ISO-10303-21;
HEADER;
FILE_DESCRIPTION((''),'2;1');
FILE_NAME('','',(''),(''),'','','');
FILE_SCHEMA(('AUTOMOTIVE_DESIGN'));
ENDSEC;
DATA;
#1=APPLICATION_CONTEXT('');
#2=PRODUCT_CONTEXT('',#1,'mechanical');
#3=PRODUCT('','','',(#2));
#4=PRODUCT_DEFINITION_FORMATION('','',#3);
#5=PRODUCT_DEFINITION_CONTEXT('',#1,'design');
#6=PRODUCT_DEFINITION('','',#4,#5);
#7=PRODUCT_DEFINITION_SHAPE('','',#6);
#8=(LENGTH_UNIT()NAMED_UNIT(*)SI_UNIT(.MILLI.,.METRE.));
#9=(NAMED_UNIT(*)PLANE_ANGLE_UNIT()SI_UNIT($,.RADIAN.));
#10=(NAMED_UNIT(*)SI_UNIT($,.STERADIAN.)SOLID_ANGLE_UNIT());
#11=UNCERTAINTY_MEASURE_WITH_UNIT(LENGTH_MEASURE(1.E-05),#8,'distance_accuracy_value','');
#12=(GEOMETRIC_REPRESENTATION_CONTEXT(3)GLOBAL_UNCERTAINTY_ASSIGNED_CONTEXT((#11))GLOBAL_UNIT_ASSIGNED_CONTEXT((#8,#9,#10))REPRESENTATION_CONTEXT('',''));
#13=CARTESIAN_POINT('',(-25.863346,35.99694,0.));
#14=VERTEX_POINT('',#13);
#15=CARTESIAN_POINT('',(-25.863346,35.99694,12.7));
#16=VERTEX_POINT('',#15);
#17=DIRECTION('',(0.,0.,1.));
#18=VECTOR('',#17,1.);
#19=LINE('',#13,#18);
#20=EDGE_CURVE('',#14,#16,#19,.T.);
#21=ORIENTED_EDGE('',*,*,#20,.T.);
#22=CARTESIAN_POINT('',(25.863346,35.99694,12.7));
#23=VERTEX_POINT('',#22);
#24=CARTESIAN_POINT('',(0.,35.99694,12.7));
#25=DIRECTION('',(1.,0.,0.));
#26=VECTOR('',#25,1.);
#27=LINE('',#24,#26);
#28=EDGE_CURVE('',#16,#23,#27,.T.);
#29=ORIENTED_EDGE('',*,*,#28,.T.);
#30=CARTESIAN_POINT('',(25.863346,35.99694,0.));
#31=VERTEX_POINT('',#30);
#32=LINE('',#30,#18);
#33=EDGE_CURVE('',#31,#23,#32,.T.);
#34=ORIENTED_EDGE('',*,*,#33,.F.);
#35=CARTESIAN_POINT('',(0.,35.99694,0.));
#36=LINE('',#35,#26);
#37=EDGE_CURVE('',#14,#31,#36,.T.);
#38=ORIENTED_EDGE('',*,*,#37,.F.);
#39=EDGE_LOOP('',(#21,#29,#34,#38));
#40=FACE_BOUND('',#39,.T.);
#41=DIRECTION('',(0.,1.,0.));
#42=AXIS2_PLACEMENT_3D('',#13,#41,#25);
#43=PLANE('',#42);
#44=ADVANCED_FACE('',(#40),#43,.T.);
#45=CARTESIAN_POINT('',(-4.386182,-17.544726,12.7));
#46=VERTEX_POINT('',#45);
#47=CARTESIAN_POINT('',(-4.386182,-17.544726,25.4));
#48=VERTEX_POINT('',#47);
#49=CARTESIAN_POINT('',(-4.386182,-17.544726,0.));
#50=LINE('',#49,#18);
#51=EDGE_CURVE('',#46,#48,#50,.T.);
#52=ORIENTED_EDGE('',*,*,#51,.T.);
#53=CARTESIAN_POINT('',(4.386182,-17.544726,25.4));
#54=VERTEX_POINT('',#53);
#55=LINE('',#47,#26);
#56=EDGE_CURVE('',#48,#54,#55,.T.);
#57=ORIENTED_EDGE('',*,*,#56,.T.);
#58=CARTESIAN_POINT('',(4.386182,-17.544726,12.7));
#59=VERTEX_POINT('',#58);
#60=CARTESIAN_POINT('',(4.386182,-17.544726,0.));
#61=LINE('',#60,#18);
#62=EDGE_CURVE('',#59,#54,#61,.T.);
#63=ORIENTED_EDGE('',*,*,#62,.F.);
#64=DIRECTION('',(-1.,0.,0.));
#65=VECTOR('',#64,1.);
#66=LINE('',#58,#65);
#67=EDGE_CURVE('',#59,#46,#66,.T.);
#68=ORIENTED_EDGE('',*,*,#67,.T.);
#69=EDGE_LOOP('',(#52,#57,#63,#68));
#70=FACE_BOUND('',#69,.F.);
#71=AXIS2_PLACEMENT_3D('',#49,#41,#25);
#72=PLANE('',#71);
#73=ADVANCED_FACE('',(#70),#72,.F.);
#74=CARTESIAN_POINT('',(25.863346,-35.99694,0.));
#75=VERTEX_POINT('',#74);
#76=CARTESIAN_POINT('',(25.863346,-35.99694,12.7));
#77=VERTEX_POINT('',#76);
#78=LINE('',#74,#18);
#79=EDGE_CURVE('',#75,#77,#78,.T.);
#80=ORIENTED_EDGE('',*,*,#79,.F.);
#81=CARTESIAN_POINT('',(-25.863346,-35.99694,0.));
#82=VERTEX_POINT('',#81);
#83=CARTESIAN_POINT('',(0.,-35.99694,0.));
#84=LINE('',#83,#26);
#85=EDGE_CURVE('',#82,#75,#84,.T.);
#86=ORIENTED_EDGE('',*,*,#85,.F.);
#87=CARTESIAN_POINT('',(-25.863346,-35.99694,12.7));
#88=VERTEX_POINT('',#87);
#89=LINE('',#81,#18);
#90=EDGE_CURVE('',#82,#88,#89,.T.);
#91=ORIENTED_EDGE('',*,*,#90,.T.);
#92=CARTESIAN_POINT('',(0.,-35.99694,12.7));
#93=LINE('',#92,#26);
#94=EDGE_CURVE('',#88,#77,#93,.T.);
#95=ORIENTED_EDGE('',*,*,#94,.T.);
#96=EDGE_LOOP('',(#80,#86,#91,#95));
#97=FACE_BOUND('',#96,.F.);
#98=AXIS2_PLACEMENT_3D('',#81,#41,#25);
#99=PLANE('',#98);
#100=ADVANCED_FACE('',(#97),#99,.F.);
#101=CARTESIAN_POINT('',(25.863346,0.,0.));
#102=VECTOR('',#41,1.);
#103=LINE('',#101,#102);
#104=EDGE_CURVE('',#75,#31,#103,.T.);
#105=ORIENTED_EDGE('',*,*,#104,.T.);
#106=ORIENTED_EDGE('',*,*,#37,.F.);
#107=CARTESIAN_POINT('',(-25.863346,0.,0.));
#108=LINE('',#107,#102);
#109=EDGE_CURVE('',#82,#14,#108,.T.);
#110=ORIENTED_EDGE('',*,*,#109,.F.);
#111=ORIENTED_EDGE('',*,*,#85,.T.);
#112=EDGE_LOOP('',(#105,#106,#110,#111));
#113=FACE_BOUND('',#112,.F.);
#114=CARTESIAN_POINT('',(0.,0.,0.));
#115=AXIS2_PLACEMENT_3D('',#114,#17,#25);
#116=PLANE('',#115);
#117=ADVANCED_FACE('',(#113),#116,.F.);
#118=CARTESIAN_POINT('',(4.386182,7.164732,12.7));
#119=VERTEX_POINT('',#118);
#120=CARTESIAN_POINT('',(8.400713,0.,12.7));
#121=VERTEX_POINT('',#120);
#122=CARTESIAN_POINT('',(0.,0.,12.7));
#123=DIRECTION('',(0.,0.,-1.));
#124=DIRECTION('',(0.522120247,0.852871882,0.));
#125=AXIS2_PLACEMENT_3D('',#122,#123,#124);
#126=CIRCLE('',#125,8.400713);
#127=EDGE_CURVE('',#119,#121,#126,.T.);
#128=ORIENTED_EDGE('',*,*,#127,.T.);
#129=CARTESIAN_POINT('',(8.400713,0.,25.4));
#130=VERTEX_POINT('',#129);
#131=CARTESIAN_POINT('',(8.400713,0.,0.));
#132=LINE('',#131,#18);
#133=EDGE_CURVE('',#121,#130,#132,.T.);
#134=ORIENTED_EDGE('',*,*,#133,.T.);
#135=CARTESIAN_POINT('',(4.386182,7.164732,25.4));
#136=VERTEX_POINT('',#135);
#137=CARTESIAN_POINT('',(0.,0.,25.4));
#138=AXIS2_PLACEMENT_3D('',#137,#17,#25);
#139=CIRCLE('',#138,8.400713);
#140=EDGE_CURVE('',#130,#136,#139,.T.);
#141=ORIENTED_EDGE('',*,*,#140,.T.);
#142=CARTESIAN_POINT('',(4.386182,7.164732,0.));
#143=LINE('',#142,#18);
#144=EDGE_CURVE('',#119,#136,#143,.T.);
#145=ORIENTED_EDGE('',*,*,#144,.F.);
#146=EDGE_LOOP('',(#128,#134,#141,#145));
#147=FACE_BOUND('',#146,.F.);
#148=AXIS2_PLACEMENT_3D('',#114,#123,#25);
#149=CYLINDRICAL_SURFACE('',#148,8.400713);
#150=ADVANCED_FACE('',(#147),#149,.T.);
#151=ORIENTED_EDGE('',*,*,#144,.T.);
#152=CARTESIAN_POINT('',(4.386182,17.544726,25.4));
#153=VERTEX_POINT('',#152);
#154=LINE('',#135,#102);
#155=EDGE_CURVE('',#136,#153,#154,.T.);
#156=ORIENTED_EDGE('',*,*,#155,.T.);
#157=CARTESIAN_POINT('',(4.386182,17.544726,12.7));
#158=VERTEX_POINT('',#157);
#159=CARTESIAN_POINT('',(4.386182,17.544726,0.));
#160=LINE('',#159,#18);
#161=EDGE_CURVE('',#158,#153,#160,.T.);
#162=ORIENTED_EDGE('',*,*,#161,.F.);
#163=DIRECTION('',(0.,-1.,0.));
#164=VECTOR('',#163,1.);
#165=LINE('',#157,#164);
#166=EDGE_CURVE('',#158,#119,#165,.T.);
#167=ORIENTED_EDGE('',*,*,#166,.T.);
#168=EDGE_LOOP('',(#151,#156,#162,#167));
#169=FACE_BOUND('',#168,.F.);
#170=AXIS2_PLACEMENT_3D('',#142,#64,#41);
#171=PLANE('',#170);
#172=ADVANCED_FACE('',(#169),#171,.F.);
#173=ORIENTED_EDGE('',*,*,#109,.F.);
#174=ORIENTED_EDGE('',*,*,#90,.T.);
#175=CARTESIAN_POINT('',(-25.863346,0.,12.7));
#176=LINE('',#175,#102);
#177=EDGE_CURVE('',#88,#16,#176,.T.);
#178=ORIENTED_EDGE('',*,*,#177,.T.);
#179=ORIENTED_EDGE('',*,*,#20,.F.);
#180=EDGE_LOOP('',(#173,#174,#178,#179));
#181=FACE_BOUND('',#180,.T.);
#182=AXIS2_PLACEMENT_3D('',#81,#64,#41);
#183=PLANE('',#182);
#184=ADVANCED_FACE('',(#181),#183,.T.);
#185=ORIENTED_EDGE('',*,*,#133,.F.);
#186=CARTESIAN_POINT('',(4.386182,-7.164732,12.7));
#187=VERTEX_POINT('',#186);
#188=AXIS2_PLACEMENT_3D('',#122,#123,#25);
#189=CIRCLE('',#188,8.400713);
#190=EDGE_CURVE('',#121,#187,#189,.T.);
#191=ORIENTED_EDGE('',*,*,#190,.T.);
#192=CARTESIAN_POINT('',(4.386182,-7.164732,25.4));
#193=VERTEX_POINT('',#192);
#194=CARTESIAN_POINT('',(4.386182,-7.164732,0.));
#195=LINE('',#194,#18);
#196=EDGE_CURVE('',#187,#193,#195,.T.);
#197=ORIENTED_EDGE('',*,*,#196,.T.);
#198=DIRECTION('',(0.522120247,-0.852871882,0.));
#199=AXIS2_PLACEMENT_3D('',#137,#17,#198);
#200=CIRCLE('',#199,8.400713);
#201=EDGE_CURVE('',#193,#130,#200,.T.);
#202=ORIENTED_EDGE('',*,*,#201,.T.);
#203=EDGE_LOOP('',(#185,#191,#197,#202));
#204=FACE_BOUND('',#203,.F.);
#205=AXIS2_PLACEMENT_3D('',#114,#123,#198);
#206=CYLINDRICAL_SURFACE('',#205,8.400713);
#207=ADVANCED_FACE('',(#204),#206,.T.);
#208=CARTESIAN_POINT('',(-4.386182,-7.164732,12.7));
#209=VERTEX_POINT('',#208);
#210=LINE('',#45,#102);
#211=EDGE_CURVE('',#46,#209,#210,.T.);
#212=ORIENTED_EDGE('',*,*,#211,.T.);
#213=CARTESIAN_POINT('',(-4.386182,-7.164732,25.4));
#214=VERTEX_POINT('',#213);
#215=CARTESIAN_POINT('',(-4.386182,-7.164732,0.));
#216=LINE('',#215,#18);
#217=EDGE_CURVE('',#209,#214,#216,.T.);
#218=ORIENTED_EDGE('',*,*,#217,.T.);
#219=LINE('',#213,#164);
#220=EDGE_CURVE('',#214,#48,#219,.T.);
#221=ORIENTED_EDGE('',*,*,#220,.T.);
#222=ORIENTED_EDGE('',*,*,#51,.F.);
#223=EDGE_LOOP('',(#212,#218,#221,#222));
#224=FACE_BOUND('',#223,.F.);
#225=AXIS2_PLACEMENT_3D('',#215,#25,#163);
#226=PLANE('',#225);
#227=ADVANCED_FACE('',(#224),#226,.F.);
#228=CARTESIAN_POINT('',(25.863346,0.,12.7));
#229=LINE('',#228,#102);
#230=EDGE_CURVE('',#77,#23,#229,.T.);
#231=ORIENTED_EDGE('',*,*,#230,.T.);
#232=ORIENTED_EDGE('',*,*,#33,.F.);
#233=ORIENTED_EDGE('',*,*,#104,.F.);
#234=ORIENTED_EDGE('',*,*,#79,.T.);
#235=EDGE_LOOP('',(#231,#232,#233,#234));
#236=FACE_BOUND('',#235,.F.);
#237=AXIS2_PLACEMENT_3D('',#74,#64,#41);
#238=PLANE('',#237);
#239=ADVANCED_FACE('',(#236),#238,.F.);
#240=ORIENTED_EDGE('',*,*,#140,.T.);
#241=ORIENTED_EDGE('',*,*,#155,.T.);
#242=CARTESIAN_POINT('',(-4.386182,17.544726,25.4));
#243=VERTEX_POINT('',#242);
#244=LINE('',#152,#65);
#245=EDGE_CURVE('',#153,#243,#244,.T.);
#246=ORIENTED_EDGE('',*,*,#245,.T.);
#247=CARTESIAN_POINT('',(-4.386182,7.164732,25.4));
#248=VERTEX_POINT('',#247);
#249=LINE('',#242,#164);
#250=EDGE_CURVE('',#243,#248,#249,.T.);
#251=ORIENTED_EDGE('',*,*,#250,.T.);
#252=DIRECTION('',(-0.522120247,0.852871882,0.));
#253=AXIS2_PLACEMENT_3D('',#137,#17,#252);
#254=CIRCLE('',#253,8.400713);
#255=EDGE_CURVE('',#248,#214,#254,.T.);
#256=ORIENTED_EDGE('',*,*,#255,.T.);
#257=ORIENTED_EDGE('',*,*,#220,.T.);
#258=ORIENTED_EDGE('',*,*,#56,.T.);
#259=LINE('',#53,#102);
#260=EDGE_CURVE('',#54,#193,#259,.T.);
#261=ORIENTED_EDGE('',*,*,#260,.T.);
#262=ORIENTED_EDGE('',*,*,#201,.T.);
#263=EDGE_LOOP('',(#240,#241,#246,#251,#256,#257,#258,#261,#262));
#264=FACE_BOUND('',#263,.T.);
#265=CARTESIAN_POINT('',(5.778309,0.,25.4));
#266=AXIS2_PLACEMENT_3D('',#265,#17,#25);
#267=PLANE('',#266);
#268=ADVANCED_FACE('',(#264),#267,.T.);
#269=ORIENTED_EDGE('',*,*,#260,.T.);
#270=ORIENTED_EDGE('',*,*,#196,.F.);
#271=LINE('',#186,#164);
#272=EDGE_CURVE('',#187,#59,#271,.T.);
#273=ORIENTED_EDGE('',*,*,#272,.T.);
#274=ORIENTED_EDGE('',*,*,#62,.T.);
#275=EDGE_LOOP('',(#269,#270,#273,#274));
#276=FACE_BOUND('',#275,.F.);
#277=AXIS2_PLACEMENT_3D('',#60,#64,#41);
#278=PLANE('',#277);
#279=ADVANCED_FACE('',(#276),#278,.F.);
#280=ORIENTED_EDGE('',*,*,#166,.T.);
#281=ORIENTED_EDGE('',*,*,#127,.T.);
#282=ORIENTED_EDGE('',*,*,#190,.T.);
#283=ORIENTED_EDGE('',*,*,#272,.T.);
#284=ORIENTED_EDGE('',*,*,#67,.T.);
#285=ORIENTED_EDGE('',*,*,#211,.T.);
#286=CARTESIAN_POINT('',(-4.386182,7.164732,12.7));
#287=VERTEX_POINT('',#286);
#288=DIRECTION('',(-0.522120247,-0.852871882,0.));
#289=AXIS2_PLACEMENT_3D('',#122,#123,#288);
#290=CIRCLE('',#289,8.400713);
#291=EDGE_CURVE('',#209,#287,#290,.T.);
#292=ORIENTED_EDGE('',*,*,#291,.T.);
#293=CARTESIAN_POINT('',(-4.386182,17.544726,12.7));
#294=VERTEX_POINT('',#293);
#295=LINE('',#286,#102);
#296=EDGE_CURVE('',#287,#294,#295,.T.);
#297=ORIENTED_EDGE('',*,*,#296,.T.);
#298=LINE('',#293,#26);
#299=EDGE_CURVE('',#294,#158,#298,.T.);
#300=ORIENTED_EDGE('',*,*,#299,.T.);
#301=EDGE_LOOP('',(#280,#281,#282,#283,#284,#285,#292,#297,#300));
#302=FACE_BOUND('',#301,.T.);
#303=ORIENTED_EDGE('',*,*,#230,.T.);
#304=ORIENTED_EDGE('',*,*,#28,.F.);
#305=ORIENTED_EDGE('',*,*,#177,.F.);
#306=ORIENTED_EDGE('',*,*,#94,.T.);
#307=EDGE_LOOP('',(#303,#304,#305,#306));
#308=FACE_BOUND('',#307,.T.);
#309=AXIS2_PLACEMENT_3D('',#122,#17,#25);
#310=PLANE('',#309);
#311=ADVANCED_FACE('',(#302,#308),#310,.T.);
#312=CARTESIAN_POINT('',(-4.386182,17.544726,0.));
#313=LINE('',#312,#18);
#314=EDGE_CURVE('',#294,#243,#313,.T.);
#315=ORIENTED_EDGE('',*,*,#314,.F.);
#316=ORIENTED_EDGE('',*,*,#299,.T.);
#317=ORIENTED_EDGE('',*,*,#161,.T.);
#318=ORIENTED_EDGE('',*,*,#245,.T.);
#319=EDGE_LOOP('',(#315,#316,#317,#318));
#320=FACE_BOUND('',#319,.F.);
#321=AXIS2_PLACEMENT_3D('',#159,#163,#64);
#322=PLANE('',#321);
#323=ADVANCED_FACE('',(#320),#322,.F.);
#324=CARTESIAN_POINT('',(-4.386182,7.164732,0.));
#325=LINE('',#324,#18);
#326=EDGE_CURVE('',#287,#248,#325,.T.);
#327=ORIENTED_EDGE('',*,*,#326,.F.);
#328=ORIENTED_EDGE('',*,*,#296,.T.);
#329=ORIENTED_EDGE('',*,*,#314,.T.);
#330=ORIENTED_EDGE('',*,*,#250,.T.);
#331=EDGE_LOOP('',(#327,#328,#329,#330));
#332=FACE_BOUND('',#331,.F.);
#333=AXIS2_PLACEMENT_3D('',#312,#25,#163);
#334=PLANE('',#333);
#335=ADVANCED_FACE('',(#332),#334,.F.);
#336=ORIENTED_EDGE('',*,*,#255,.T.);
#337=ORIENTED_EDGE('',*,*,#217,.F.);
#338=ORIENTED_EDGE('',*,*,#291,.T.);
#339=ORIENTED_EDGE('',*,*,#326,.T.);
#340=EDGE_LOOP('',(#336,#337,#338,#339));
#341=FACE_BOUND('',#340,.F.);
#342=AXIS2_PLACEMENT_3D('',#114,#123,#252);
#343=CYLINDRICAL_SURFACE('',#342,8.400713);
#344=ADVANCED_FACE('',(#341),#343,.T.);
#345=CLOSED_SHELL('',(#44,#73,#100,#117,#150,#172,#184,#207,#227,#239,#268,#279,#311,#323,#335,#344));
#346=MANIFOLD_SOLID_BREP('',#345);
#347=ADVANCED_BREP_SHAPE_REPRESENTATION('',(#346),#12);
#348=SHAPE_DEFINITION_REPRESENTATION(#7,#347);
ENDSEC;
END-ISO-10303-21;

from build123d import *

# Parameters (mm, degrees)
F1_DEPTH = 25.4
F0_W     = 51.7266914248
F0_H     = 71.9938799739
F2_DEPTH = 12.7


with BuildPart() as f1:
    # F0 (on Top) → F1 (new body)
    with BuildSketch(Plane.XY):
        with BuildLine():
            ThreePointArc((4.3861824088, -7.1647320158), (7.3286779539, -4.1063926297), (8.4007131233, 0))
            ThreePointArc((8.4007131233, 0), (7.3286779539, 4.1063926297), (4.3861824088, 7.1647320158))
            Line((4.3861824088, 7.1647320158), (4.3861824088, -7.1647320158))
        make_face()
        with BuildLine():
            Line((4.3861824088, -7.1647320158), (4.3861824088, 7.1647320158))
            ThreePointArc((4.3861824088, 7.1647320158), (0, 8.4007131233), (-4.3861824088, 7.1647320158))
            Line((-4.3861824088, 7.1647320158), (-4.3861824088, -7.1647320158))
            ThreePointArc((-4.3861824088, -7.1647320158), (0, -8.4007131233), (4.3861824088, -7.1647320158))
        make_face()
        with BuildLine():
            Line((-4.3861824088, -7.1647320158), (-4.3861824088, 7.1647320158))
            ThreePointArc((-4.3861824088, 7.1647320158), (-8.4007131233, 0), (-4.3861824088, -7.1647320158))
        make_face()
        with BuildLine():
            Line((4.3861824088, -17.5447259098), (4.3861824088, -7.1647320158))
            ThreePointArc((4.3861824088, -7.1647320158), (0, -8.4007131233), (-4.3861824088, -7.1647320158))
            Line((-4.3861824088, -7.1647320158), (-4.3861824088, -17.5447259098))
            Line((-4.3861824088, -17.5447259098), (4.3861824088, -17.5447259098))
        make_face()
        with BuildLine():
            ThreePointArc((-4.3861824088, 7.1647320158), (0, 8.4007131233), (4.3861824088, 7.1647320158))
            Line((4.3861824088, 7.1647320158), (4.3861824088, 17.5447259098))
            Line((4.3861824088, 17.5447259098), (-4.3861824088, 17.5447259098))
            Line((-4.3861824088, 17.5447259098), (-4.3861824088, 7.1647320158))
        make_face()
    extrude(amount=F1_DEPTH)

    # F0 (on Top) → F2 (join)
    with BuildSketch(Plane.XY):
        Rectangle(F0_W, F0_H)
        with BuildLine():
            ThreePointArc((4.3861824088, 7.1647320158), (7.3286779539, 4.1063926297), (8.4007131233, 0))
            ThreePointArc((8.4007131233, 0), (7.3286779539, -4.1063926297), (4.3861824088, -7.1647320158))
            Line((4.3861824088, -7.1647320158), (4.3861824088, -17.5447259098))
            Line((4.3861824088, -17.5447259098), (-4.3861824088, -17.5447259098))
            Line((-4.3861824088, -17.5447259098), (-4.3861824088, -7.1647320158))
            ThreePointArc((-4.3861824088, -7.1647320158), (-8.4007131233, 0), (-4.3861824088, 7.1647320158))
            Line((-4.3861824088, 7.1647320158), (-4.3861824088, 17.5447259098))
            Line((-4.3861824088, 17.5447259098), (4.3861824088, 17.5447259098))
            Line((4.3861824088, 17.5447259098), (4.3861824088, 7.1647320158))
        make_face(mode=Mode.SUBTRACT)
    extrude(amount=F2_DEPTH)


solid = f1.part
